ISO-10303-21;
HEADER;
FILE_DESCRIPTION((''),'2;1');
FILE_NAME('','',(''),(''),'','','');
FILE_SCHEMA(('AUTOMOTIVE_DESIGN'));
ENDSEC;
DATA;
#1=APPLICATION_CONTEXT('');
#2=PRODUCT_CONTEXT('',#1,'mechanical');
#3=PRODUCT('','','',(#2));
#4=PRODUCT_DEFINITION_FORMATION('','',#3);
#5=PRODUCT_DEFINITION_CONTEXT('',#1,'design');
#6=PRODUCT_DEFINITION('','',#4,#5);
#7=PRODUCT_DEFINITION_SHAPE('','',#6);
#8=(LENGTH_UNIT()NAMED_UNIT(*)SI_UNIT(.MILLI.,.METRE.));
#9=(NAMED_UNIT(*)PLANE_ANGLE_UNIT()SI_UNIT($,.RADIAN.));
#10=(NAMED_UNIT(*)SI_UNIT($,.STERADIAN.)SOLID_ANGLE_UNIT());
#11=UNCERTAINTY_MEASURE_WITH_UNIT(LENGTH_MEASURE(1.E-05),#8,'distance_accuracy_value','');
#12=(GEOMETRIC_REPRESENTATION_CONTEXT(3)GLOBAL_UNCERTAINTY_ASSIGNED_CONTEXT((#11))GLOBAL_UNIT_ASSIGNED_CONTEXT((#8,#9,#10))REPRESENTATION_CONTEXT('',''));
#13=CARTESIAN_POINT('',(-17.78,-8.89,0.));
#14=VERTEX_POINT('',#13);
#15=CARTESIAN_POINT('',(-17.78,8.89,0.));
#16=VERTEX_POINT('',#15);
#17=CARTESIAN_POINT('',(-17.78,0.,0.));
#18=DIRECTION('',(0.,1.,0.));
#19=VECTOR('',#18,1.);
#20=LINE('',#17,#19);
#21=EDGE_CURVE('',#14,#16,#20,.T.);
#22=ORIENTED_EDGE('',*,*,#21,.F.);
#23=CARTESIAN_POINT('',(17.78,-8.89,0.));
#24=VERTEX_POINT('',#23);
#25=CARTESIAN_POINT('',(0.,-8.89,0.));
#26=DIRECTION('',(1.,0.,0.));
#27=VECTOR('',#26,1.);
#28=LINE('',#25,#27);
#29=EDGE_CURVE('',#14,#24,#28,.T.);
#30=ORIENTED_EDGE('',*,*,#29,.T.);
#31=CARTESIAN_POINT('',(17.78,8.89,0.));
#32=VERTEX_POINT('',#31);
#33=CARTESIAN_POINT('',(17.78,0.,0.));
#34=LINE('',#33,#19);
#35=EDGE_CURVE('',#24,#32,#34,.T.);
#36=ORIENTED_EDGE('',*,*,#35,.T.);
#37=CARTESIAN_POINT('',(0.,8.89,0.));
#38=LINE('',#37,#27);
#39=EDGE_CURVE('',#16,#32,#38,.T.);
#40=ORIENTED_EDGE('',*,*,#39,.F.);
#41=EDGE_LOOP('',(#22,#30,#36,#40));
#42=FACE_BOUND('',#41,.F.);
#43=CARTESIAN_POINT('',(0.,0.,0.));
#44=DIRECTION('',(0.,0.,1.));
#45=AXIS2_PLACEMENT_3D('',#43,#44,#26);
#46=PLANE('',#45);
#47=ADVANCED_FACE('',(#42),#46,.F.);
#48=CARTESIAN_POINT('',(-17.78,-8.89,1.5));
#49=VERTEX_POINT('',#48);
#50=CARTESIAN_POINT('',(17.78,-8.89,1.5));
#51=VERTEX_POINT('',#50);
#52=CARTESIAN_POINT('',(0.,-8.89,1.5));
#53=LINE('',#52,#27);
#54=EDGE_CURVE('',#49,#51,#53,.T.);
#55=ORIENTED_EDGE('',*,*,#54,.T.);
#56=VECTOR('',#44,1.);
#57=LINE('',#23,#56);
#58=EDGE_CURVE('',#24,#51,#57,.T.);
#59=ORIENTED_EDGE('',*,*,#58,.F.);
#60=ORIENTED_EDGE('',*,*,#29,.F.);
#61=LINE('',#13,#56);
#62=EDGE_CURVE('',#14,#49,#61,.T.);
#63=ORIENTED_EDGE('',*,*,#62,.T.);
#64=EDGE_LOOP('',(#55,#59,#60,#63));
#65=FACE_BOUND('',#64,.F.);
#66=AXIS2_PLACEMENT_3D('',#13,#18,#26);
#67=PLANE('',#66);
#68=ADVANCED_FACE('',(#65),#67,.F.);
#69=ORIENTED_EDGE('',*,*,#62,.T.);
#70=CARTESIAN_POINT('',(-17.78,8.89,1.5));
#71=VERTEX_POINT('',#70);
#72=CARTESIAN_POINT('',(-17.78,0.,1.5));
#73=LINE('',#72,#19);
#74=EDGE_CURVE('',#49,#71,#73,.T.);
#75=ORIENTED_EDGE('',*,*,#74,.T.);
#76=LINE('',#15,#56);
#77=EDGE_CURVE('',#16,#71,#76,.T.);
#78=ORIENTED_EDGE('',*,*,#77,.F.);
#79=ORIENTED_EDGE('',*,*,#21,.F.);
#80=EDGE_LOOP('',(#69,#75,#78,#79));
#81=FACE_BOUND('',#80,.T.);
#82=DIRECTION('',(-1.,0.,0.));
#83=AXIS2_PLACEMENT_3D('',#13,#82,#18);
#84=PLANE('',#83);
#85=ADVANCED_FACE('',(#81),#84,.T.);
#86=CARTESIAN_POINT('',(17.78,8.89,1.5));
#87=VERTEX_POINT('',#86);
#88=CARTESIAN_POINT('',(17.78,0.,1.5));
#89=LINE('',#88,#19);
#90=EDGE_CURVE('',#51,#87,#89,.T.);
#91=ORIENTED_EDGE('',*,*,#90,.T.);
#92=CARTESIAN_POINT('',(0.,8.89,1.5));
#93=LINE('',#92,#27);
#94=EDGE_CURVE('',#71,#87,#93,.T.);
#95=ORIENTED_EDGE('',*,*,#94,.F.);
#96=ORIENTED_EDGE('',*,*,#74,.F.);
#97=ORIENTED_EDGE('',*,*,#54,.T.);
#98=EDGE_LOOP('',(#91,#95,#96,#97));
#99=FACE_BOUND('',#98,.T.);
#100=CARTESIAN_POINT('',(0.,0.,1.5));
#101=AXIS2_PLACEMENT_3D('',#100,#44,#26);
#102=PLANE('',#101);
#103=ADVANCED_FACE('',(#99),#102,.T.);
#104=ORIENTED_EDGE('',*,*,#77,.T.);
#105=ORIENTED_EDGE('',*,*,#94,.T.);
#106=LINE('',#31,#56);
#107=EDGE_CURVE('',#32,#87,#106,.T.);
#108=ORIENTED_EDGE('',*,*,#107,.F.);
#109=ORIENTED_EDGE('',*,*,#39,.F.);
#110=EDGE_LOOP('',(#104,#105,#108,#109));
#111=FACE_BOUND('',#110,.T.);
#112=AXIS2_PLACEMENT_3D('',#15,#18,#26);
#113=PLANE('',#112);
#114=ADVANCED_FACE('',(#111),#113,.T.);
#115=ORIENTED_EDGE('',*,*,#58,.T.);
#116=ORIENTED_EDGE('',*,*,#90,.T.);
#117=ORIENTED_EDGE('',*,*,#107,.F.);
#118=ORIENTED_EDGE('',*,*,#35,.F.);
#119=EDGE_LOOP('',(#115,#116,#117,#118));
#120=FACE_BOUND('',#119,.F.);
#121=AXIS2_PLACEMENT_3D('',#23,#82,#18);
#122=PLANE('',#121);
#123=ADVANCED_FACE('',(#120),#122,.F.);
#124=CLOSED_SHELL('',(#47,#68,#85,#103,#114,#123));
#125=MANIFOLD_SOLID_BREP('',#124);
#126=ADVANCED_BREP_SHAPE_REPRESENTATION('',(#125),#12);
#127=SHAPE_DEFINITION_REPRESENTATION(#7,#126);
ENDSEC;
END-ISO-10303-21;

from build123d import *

# Parameters (mm, degrees)
SKETCH1_W           = 35.56
SKETCH1_H           = 17.78
BOSS_EXTRUDE1_DEPTH = 1.5


with BuildPart() as part:
    # Sketch1 → Boss-Extrude1 (new body)
    with BuildSketch(Plane.XY):
        Rectangle(SKETCH1_W, SKETCH1_H)
    extrude(amount=BOSS_EXTRUDE1_DEPTH)


solid = part.part
